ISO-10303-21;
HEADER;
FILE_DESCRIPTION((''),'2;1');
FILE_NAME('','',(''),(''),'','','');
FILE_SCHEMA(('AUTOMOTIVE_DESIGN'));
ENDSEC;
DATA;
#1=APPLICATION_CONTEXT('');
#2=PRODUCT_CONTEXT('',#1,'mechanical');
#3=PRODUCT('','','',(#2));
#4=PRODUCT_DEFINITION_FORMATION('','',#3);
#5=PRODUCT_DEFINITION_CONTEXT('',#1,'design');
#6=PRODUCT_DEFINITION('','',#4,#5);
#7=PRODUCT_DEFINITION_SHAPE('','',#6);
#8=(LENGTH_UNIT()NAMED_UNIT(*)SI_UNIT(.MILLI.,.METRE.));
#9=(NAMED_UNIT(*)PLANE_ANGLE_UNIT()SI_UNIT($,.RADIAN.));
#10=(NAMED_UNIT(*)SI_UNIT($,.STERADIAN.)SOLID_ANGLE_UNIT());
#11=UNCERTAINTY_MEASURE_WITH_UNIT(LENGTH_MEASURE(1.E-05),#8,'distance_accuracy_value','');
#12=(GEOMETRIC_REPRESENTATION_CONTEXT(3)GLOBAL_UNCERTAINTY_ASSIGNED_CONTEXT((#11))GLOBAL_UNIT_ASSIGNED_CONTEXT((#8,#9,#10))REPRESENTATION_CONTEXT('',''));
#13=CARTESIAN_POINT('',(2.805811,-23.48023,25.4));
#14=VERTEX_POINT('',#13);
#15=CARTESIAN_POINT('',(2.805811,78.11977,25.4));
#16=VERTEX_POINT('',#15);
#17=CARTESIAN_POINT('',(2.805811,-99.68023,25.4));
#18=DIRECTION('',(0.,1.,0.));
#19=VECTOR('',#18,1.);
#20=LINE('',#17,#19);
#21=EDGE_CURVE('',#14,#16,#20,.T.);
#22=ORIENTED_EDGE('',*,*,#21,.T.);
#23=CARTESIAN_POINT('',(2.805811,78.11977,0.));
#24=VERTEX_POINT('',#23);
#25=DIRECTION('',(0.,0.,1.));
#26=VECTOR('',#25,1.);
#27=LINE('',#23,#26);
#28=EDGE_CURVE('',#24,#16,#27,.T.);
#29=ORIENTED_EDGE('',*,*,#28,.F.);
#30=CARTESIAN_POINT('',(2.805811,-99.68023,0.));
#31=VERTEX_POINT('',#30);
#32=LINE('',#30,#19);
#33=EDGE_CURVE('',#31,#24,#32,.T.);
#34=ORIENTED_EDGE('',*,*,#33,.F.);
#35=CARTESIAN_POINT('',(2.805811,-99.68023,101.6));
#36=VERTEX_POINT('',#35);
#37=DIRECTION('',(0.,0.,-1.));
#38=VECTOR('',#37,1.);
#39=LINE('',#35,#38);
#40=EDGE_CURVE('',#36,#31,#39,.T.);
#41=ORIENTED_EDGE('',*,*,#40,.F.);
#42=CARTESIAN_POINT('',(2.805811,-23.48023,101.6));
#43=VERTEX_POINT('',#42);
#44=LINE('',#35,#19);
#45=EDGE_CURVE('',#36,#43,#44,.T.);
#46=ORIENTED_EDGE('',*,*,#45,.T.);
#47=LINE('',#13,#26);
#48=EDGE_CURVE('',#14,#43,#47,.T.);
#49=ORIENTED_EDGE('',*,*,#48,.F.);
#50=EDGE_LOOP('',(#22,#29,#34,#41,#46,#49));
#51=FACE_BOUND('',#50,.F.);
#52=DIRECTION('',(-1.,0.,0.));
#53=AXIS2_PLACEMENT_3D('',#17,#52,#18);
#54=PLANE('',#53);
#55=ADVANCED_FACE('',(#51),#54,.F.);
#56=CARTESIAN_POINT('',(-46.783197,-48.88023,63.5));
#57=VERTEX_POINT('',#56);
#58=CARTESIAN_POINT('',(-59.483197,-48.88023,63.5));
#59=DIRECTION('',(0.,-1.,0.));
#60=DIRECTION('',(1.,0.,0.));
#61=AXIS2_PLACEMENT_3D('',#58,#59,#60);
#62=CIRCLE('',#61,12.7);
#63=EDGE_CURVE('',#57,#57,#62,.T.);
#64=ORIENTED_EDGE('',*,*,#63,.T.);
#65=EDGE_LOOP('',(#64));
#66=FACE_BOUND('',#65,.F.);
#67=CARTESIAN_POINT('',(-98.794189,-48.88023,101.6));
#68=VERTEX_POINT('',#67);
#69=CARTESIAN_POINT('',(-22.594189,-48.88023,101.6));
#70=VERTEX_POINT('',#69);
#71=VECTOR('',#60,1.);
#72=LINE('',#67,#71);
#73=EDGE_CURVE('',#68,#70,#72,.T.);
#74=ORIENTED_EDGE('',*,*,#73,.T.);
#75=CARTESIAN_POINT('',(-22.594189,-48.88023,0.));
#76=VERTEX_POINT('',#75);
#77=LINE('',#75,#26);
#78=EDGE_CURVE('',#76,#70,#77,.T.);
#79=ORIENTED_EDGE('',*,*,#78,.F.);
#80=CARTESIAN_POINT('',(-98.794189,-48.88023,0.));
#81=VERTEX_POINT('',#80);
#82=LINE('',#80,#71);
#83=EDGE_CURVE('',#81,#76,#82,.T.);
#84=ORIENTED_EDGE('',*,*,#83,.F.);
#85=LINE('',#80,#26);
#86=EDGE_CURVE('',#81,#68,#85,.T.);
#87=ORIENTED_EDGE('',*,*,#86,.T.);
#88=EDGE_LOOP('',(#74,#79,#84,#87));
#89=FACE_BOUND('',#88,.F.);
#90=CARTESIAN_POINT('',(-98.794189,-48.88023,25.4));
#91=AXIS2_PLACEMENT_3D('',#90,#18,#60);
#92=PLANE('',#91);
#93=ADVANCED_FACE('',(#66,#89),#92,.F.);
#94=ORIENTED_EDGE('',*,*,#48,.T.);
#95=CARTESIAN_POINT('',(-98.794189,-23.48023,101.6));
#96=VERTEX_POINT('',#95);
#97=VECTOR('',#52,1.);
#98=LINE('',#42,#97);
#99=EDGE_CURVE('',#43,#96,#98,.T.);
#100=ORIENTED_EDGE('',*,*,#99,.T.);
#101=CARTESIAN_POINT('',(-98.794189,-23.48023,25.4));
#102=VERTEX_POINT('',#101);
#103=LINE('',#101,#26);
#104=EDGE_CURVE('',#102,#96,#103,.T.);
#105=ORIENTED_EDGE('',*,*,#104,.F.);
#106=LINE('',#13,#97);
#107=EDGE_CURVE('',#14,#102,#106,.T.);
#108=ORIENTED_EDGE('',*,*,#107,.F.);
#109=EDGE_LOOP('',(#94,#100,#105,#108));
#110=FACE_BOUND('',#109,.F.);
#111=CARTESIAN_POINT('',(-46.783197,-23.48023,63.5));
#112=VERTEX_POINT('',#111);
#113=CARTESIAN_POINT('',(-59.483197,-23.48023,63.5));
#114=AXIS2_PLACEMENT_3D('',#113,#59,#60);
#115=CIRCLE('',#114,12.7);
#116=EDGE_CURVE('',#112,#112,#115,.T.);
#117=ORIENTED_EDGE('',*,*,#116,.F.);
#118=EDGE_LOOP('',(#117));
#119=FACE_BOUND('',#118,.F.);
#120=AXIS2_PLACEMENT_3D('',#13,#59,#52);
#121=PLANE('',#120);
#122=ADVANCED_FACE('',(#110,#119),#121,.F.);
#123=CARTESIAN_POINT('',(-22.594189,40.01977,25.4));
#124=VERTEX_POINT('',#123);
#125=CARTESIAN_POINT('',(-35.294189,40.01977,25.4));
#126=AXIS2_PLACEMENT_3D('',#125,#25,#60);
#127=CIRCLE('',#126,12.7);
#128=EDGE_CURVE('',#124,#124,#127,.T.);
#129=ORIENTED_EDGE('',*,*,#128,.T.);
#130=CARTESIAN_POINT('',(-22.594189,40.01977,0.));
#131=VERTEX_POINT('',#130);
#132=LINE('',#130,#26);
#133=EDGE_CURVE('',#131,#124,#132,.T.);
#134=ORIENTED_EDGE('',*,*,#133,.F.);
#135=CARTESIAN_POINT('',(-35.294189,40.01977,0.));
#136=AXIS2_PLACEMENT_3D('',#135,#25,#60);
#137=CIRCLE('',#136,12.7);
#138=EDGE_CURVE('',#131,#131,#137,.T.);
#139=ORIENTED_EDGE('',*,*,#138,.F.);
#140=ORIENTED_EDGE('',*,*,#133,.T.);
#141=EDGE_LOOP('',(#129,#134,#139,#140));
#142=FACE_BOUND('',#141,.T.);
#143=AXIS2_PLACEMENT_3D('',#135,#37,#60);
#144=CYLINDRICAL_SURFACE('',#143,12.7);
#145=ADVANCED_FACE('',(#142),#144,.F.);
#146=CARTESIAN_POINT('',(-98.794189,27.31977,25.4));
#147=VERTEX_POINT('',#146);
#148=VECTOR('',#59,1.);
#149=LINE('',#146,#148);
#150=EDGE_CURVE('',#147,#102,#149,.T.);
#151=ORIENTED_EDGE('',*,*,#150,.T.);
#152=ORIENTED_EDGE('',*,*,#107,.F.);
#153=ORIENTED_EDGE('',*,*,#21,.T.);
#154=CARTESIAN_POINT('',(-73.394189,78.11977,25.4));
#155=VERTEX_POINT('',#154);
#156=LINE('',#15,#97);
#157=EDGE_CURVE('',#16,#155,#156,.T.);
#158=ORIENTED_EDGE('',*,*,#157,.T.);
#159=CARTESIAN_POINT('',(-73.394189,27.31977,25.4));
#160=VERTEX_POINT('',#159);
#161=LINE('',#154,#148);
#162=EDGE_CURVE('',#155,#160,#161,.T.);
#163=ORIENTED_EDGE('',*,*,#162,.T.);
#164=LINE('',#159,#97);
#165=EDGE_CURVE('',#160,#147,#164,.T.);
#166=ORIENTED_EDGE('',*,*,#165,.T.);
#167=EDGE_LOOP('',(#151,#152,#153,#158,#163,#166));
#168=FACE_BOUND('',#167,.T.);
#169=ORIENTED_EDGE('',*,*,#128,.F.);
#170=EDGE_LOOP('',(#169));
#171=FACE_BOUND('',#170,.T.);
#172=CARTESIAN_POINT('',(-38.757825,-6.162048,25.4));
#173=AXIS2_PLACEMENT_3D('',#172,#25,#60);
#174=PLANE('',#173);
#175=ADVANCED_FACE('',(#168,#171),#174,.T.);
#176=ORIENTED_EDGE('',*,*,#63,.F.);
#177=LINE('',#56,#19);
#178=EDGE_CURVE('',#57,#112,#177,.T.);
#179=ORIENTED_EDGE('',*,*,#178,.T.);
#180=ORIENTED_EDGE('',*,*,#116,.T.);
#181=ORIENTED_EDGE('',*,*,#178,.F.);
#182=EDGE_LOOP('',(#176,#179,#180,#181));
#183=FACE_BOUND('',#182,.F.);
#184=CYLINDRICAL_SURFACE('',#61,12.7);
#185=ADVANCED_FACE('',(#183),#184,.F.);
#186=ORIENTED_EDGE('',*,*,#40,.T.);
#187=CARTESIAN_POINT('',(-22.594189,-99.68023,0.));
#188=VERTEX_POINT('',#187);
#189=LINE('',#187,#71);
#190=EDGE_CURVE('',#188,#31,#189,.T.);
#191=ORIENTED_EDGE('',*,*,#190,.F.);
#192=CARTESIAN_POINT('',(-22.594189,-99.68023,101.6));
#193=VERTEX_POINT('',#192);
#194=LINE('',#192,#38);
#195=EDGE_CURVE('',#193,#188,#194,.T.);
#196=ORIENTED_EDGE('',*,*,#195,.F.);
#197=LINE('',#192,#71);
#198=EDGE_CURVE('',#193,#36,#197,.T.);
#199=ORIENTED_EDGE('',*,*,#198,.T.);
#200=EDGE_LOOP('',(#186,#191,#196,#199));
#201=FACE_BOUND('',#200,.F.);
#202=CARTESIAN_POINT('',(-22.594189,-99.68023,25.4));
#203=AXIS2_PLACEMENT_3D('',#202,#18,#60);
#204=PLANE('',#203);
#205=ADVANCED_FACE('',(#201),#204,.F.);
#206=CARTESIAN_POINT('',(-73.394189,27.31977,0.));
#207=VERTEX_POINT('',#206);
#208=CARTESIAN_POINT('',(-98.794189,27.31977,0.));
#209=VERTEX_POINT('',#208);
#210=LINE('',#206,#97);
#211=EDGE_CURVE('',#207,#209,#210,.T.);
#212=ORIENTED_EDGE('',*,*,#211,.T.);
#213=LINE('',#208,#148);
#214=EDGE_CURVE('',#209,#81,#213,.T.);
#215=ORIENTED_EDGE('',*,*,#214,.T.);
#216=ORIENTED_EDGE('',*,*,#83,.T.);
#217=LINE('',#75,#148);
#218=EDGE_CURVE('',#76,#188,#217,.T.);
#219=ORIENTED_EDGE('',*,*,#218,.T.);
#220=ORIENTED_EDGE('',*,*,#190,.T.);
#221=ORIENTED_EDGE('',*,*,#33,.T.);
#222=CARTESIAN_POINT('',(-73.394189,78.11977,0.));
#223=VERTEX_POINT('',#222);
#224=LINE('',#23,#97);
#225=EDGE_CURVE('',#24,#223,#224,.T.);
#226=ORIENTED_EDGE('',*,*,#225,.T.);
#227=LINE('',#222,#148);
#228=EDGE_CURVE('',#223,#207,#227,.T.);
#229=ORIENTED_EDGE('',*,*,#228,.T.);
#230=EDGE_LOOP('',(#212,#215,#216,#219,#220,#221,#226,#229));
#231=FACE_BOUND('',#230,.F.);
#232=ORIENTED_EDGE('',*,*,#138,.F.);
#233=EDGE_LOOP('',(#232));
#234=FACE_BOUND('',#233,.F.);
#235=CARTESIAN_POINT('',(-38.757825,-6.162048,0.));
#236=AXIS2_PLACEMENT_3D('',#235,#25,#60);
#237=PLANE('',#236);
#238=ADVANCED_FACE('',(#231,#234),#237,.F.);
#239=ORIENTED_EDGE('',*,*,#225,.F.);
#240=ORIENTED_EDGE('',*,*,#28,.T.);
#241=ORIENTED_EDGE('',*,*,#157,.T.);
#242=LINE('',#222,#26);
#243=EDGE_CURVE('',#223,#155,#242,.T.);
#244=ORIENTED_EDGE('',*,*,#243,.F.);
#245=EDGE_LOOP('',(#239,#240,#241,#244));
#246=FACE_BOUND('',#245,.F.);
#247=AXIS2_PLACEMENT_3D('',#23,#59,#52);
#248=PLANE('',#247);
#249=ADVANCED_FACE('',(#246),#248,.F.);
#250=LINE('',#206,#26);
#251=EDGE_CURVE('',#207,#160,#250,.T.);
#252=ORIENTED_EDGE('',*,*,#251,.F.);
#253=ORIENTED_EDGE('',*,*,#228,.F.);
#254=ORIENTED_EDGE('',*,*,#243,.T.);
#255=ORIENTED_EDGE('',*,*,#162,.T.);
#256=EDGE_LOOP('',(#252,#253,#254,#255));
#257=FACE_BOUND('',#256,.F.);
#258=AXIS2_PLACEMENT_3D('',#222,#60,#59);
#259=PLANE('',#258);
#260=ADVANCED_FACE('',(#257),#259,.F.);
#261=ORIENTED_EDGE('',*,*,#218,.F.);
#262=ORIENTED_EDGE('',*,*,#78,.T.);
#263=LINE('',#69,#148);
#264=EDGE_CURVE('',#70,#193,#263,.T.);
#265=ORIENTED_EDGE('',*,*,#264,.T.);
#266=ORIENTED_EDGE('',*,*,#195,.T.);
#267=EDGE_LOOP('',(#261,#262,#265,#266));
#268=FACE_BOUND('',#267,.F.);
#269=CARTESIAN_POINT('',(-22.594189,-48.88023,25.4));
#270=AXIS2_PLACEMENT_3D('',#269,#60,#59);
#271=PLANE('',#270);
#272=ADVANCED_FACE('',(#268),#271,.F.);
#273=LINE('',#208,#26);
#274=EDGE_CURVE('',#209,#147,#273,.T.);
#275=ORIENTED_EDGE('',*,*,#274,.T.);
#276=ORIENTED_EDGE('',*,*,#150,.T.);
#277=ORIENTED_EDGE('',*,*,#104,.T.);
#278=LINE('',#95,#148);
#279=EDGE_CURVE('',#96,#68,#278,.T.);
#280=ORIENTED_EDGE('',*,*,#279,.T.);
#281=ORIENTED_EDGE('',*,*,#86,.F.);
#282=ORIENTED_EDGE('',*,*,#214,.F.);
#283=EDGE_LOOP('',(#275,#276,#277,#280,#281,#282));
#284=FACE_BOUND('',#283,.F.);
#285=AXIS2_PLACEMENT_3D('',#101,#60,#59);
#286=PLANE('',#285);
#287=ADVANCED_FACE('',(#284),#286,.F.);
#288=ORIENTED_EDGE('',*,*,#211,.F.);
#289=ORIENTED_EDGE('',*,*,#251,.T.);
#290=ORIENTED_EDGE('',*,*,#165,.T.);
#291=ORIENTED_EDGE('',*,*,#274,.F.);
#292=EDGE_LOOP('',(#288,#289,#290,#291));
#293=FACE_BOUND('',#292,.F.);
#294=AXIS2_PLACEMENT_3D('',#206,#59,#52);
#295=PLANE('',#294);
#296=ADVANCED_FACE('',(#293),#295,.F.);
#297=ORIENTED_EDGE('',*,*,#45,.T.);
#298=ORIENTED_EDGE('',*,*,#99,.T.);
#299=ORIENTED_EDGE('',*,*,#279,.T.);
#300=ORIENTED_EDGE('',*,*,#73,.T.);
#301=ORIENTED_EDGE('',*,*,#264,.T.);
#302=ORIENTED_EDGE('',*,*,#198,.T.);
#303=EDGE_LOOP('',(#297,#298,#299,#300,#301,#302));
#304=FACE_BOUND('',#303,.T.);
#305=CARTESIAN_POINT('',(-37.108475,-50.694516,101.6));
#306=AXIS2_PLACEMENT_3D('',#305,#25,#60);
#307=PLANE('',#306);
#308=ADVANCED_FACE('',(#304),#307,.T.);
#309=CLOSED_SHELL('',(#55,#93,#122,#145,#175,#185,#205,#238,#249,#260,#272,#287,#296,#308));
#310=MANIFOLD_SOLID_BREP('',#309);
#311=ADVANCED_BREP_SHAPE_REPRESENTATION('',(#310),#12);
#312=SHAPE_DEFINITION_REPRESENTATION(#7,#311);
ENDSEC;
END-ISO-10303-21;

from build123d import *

# Parameters (mm, degrees)
F0_R     = 12.7
F1_DEPTH = 25.4
F3_DEPTH = 76.2
F4_R     = 12.7
F5_DEPTH = 25.4


with BuildPart() as f1:
    # F0 (on Top) → F1 (new body)
    with BuildSketch(Plane.XY):
        Polygon((2.805811, 78.11977), (-73.394189, 78.11977), (-73.394189, 27.31977), (-98.794189, 27.31977), (-98.794189, -48.88023), (-73.394189, -48.88023), (-22.594189, -48.88023), (-22.594189, -99.68023), (2.805811, -99.68023), (2.805811, -48.88023), align=None)
        with Locations((-35.294189, 40.01977)):
            Circle(F0_R, mode=Mode.SUBTRACT)
    extrude(amount=F1_DEPTH)

    # F2 (on face) → F3 (join)
    with BuildSketch(Plane.XY.offset(25.4)):
        Polygon((2.805811, -23.48023), (-98.794189, -23.48023), (-98.794189, -48.88023), (-22.594189, -48.88023), (-22.594189, -99.68023), (2.805811, -99.68023), align=None)
    extrude(amount=F3_DEPTH)

    # F4 (on face) → F5 (cut)
    with BuildSketch(Plane.XZ.offset(48.88023)):
        with Locations((-59.483197, 63.5)):
            Circle(F4_R)
    extrude(amount=-F5_DEPTH, mode=Mode.SUBTRACT)


solid = f1.part
